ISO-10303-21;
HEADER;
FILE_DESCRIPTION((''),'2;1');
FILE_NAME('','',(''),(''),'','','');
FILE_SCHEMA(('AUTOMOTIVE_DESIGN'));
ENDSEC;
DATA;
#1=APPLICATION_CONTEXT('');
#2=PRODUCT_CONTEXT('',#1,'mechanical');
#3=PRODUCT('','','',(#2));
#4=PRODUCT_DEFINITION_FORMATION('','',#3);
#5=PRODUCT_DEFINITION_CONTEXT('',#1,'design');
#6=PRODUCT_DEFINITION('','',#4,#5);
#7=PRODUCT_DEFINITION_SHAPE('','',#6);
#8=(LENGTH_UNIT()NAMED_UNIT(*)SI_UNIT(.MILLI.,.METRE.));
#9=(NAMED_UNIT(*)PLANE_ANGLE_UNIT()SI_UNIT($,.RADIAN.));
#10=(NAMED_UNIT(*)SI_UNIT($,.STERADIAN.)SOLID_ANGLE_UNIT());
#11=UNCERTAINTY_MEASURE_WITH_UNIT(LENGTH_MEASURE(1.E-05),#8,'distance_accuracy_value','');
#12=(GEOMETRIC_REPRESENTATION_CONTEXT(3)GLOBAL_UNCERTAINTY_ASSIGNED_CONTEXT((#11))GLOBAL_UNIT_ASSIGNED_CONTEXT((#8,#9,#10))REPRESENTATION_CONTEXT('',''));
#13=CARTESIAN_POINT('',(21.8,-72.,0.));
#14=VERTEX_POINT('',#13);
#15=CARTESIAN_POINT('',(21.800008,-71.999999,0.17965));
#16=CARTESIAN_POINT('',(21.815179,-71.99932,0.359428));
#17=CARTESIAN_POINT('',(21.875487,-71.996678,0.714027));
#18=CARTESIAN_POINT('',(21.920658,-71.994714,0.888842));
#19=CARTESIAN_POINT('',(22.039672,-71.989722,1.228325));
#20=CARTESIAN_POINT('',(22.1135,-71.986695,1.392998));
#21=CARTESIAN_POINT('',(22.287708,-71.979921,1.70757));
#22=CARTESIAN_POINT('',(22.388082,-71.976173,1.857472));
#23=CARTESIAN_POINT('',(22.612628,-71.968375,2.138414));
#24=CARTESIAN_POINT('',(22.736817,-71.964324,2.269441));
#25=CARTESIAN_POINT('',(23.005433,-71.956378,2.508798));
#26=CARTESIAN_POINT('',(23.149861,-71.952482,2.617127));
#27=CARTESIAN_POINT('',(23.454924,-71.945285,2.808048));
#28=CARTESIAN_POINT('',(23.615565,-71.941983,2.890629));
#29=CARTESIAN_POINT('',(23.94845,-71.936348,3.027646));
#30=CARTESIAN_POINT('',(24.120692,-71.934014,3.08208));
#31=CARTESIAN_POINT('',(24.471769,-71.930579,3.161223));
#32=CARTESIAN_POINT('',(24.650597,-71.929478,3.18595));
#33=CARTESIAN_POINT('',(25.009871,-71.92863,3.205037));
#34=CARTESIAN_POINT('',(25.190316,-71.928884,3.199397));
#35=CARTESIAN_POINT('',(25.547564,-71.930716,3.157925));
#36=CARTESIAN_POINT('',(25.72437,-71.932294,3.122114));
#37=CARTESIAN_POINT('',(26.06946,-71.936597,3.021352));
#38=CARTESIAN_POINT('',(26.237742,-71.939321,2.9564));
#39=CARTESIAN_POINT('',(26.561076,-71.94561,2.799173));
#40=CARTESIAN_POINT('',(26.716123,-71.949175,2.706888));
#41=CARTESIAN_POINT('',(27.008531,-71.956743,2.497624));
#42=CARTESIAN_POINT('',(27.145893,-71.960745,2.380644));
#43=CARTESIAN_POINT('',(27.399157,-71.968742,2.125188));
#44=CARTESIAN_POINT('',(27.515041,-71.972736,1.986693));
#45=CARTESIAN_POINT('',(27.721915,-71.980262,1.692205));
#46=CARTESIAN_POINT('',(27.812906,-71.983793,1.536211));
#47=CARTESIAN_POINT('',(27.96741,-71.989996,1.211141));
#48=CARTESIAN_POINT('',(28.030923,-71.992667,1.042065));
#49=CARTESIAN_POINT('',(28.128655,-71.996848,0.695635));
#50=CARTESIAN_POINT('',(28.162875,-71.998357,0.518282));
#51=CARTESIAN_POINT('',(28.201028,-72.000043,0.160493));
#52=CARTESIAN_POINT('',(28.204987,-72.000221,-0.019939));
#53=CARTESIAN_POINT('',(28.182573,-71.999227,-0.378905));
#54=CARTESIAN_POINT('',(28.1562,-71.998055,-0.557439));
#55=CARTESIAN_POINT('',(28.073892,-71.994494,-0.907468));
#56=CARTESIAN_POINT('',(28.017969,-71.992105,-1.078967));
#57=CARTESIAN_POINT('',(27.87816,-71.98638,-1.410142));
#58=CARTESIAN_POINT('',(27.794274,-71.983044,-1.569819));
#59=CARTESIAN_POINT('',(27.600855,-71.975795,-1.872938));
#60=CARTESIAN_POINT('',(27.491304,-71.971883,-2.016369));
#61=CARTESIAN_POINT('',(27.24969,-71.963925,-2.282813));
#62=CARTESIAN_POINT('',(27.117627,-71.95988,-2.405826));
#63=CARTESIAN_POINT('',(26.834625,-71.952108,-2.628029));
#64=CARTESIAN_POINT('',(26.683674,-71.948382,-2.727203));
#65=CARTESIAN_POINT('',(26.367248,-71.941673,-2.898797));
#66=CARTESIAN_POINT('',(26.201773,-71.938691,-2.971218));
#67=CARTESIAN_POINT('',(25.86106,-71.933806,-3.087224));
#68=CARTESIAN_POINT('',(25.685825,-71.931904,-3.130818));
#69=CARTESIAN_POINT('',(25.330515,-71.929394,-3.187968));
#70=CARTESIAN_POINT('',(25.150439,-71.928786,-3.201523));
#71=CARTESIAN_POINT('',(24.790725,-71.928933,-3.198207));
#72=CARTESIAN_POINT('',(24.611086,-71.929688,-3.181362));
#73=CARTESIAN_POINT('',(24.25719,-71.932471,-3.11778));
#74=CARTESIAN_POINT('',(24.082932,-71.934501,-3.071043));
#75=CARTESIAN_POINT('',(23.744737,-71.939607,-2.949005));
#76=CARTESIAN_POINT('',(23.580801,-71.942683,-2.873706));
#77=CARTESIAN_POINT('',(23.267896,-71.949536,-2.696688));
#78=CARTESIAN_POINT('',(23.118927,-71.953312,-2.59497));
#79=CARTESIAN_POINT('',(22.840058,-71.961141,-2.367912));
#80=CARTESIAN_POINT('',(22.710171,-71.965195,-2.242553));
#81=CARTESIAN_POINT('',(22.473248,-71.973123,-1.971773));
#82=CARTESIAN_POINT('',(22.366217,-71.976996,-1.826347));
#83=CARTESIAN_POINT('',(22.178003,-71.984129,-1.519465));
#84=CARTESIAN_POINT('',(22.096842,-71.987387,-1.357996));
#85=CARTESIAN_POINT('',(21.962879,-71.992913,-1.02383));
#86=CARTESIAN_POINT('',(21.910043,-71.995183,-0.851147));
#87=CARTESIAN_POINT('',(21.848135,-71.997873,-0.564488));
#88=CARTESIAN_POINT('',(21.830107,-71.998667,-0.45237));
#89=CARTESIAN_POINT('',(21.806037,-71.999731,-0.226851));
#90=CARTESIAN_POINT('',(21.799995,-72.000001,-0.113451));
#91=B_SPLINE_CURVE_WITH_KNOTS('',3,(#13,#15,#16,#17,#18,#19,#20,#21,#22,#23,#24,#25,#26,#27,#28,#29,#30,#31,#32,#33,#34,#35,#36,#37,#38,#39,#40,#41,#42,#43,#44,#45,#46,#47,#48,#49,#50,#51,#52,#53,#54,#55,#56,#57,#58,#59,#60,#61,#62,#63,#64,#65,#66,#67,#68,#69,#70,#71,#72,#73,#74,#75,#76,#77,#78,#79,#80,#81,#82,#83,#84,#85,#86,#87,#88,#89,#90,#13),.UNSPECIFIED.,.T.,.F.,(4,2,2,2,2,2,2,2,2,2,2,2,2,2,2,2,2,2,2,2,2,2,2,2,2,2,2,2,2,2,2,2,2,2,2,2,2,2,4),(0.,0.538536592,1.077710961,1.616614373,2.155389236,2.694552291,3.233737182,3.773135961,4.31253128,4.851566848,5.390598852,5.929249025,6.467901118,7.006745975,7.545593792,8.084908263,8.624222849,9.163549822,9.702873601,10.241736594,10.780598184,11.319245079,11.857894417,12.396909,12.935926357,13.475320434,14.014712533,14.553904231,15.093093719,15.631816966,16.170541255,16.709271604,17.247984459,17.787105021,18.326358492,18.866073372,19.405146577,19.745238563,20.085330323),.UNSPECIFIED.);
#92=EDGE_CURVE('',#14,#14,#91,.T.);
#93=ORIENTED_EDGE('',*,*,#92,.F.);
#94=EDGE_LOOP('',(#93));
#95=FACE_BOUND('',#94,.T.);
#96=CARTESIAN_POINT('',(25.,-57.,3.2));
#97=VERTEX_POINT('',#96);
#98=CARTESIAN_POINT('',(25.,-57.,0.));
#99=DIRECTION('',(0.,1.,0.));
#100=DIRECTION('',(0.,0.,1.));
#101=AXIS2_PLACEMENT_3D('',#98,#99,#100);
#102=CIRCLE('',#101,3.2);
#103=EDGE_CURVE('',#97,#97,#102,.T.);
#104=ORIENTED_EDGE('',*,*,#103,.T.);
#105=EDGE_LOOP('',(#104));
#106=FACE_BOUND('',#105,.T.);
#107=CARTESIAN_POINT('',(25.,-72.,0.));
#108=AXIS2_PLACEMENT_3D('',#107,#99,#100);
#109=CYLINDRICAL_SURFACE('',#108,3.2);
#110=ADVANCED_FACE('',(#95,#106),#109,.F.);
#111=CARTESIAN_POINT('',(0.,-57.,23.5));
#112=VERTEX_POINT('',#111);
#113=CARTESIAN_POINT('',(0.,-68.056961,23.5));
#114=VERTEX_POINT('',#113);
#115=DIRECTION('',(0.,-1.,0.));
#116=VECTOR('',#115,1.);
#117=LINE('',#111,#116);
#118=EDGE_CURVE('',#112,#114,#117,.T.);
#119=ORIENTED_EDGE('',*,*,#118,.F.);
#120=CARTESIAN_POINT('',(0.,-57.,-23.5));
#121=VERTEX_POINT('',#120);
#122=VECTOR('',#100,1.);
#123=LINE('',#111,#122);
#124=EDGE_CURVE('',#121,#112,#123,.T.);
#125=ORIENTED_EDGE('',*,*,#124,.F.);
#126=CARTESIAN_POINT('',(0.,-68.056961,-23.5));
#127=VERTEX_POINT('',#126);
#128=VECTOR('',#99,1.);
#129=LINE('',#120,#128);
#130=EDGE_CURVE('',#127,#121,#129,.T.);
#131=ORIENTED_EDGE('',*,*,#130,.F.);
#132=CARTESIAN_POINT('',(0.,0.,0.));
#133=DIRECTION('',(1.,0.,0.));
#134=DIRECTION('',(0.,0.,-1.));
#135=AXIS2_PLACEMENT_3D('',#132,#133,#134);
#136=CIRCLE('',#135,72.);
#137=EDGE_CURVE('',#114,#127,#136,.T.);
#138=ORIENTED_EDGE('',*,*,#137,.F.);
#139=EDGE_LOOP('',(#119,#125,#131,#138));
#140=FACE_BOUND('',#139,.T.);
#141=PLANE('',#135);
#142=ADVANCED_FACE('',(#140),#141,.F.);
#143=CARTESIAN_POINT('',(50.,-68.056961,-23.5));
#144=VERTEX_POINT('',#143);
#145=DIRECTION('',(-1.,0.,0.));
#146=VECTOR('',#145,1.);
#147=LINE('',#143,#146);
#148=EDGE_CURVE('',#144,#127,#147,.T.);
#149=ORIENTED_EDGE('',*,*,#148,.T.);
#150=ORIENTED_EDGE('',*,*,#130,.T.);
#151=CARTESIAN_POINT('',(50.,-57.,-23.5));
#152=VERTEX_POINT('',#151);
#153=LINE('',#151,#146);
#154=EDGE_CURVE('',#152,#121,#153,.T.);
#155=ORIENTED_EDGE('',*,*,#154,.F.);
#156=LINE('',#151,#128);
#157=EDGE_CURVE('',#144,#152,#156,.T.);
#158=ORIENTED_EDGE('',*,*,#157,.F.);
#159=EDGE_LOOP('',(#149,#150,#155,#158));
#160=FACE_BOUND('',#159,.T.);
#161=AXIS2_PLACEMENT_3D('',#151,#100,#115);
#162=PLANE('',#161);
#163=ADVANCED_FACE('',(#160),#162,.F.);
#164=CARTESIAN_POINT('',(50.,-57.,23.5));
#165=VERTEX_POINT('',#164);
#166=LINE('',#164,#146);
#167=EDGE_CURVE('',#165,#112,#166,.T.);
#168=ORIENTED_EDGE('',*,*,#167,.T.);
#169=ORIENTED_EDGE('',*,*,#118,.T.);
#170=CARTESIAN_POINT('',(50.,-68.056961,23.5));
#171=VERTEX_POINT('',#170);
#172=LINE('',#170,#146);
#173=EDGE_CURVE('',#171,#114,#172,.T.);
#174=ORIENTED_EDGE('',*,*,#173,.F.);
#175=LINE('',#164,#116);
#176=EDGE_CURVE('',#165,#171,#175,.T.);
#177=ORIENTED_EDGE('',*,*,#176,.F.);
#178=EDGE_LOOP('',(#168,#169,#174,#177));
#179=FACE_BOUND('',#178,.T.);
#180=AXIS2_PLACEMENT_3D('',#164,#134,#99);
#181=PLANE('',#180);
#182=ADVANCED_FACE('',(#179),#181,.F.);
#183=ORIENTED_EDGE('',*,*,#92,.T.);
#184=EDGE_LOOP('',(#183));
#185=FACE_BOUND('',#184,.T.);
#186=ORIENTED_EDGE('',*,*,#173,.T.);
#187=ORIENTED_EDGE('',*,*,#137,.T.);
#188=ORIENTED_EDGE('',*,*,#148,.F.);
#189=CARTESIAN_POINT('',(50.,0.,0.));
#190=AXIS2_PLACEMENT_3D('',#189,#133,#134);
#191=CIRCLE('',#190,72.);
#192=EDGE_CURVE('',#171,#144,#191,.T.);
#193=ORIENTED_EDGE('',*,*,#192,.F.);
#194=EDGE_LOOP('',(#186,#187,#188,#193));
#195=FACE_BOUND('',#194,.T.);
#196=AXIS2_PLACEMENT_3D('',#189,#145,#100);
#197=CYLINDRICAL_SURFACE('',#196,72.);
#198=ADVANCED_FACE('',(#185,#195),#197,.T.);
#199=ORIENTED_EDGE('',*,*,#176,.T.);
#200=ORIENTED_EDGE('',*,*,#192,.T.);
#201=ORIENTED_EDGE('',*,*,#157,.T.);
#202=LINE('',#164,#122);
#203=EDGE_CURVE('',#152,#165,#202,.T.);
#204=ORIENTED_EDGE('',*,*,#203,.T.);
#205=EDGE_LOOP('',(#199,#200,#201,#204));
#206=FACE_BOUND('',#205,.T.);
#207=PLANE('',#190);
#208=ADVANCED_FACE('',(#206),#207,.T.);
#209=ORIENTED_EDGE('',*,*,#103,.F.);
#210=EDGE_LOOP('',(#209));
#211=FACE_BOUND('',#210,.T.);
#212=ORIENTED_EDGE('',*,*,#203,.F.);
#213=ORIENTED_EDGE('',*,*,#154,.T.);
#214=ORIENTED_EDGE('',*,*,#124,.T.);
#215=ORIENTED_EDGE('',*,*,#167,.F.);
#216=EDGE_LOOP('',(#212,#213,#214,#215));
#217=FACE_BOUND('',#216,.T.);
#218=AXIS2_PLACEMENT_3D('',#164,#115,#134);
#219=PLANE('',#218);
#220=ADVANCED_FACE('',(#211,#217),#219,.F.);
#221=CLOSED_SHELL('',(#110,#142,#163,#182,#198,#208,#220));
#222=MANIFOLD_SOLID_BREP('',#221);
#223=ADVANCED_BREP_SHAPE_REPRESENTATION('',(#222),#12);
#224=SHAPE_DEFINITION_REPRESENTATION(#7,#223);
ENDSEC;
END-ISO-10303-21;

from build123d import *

# Parameters (mm, degrees)
BOSS_EXTRUDE1_DEPTH = 50
SKETCH2_R           = 3.2
CUT_EXTRUDE1_DEPTH  = 58.247270677


with BuildPart() as part:
    # Sketch1 → Boss-Extrude1 (new body)
    with BuildSketch(Plane(origin=(0, 0, 0), x_dir=(0, 0, -1), z_dir=(1, 0, 0))):
        with BuildLine():
            Line((-23.5, -57), (23.5, -57))
            Line((23.5, -57), (23.5, -68.056961437))
            ThreePointArc((23.5, -68.056961437), (0, -72), (-23.5, -68.056961437))
            Line((-23.5, -68.056961437), (-23.5, -57))
        make_face()
    extrude(amount=BOSS_EXTRUDE1_DEPTH)

    # Sketch2 → Cut-Extrude1 (cut, through all)
    with BuildSketch(Plane(origin=(0, -57, 0), x_dir=(1, 0, 0), z_dir=(0, 1, 0))):
        with Locations(Location((25, 0, 0), (0, 0, 270))):
            Circle(SKETCH2_R)
    extrude(amount=-CUT_EXTRUDE1_DEPTH, mode=Mode.SUBTRACT)


solid = part.part
